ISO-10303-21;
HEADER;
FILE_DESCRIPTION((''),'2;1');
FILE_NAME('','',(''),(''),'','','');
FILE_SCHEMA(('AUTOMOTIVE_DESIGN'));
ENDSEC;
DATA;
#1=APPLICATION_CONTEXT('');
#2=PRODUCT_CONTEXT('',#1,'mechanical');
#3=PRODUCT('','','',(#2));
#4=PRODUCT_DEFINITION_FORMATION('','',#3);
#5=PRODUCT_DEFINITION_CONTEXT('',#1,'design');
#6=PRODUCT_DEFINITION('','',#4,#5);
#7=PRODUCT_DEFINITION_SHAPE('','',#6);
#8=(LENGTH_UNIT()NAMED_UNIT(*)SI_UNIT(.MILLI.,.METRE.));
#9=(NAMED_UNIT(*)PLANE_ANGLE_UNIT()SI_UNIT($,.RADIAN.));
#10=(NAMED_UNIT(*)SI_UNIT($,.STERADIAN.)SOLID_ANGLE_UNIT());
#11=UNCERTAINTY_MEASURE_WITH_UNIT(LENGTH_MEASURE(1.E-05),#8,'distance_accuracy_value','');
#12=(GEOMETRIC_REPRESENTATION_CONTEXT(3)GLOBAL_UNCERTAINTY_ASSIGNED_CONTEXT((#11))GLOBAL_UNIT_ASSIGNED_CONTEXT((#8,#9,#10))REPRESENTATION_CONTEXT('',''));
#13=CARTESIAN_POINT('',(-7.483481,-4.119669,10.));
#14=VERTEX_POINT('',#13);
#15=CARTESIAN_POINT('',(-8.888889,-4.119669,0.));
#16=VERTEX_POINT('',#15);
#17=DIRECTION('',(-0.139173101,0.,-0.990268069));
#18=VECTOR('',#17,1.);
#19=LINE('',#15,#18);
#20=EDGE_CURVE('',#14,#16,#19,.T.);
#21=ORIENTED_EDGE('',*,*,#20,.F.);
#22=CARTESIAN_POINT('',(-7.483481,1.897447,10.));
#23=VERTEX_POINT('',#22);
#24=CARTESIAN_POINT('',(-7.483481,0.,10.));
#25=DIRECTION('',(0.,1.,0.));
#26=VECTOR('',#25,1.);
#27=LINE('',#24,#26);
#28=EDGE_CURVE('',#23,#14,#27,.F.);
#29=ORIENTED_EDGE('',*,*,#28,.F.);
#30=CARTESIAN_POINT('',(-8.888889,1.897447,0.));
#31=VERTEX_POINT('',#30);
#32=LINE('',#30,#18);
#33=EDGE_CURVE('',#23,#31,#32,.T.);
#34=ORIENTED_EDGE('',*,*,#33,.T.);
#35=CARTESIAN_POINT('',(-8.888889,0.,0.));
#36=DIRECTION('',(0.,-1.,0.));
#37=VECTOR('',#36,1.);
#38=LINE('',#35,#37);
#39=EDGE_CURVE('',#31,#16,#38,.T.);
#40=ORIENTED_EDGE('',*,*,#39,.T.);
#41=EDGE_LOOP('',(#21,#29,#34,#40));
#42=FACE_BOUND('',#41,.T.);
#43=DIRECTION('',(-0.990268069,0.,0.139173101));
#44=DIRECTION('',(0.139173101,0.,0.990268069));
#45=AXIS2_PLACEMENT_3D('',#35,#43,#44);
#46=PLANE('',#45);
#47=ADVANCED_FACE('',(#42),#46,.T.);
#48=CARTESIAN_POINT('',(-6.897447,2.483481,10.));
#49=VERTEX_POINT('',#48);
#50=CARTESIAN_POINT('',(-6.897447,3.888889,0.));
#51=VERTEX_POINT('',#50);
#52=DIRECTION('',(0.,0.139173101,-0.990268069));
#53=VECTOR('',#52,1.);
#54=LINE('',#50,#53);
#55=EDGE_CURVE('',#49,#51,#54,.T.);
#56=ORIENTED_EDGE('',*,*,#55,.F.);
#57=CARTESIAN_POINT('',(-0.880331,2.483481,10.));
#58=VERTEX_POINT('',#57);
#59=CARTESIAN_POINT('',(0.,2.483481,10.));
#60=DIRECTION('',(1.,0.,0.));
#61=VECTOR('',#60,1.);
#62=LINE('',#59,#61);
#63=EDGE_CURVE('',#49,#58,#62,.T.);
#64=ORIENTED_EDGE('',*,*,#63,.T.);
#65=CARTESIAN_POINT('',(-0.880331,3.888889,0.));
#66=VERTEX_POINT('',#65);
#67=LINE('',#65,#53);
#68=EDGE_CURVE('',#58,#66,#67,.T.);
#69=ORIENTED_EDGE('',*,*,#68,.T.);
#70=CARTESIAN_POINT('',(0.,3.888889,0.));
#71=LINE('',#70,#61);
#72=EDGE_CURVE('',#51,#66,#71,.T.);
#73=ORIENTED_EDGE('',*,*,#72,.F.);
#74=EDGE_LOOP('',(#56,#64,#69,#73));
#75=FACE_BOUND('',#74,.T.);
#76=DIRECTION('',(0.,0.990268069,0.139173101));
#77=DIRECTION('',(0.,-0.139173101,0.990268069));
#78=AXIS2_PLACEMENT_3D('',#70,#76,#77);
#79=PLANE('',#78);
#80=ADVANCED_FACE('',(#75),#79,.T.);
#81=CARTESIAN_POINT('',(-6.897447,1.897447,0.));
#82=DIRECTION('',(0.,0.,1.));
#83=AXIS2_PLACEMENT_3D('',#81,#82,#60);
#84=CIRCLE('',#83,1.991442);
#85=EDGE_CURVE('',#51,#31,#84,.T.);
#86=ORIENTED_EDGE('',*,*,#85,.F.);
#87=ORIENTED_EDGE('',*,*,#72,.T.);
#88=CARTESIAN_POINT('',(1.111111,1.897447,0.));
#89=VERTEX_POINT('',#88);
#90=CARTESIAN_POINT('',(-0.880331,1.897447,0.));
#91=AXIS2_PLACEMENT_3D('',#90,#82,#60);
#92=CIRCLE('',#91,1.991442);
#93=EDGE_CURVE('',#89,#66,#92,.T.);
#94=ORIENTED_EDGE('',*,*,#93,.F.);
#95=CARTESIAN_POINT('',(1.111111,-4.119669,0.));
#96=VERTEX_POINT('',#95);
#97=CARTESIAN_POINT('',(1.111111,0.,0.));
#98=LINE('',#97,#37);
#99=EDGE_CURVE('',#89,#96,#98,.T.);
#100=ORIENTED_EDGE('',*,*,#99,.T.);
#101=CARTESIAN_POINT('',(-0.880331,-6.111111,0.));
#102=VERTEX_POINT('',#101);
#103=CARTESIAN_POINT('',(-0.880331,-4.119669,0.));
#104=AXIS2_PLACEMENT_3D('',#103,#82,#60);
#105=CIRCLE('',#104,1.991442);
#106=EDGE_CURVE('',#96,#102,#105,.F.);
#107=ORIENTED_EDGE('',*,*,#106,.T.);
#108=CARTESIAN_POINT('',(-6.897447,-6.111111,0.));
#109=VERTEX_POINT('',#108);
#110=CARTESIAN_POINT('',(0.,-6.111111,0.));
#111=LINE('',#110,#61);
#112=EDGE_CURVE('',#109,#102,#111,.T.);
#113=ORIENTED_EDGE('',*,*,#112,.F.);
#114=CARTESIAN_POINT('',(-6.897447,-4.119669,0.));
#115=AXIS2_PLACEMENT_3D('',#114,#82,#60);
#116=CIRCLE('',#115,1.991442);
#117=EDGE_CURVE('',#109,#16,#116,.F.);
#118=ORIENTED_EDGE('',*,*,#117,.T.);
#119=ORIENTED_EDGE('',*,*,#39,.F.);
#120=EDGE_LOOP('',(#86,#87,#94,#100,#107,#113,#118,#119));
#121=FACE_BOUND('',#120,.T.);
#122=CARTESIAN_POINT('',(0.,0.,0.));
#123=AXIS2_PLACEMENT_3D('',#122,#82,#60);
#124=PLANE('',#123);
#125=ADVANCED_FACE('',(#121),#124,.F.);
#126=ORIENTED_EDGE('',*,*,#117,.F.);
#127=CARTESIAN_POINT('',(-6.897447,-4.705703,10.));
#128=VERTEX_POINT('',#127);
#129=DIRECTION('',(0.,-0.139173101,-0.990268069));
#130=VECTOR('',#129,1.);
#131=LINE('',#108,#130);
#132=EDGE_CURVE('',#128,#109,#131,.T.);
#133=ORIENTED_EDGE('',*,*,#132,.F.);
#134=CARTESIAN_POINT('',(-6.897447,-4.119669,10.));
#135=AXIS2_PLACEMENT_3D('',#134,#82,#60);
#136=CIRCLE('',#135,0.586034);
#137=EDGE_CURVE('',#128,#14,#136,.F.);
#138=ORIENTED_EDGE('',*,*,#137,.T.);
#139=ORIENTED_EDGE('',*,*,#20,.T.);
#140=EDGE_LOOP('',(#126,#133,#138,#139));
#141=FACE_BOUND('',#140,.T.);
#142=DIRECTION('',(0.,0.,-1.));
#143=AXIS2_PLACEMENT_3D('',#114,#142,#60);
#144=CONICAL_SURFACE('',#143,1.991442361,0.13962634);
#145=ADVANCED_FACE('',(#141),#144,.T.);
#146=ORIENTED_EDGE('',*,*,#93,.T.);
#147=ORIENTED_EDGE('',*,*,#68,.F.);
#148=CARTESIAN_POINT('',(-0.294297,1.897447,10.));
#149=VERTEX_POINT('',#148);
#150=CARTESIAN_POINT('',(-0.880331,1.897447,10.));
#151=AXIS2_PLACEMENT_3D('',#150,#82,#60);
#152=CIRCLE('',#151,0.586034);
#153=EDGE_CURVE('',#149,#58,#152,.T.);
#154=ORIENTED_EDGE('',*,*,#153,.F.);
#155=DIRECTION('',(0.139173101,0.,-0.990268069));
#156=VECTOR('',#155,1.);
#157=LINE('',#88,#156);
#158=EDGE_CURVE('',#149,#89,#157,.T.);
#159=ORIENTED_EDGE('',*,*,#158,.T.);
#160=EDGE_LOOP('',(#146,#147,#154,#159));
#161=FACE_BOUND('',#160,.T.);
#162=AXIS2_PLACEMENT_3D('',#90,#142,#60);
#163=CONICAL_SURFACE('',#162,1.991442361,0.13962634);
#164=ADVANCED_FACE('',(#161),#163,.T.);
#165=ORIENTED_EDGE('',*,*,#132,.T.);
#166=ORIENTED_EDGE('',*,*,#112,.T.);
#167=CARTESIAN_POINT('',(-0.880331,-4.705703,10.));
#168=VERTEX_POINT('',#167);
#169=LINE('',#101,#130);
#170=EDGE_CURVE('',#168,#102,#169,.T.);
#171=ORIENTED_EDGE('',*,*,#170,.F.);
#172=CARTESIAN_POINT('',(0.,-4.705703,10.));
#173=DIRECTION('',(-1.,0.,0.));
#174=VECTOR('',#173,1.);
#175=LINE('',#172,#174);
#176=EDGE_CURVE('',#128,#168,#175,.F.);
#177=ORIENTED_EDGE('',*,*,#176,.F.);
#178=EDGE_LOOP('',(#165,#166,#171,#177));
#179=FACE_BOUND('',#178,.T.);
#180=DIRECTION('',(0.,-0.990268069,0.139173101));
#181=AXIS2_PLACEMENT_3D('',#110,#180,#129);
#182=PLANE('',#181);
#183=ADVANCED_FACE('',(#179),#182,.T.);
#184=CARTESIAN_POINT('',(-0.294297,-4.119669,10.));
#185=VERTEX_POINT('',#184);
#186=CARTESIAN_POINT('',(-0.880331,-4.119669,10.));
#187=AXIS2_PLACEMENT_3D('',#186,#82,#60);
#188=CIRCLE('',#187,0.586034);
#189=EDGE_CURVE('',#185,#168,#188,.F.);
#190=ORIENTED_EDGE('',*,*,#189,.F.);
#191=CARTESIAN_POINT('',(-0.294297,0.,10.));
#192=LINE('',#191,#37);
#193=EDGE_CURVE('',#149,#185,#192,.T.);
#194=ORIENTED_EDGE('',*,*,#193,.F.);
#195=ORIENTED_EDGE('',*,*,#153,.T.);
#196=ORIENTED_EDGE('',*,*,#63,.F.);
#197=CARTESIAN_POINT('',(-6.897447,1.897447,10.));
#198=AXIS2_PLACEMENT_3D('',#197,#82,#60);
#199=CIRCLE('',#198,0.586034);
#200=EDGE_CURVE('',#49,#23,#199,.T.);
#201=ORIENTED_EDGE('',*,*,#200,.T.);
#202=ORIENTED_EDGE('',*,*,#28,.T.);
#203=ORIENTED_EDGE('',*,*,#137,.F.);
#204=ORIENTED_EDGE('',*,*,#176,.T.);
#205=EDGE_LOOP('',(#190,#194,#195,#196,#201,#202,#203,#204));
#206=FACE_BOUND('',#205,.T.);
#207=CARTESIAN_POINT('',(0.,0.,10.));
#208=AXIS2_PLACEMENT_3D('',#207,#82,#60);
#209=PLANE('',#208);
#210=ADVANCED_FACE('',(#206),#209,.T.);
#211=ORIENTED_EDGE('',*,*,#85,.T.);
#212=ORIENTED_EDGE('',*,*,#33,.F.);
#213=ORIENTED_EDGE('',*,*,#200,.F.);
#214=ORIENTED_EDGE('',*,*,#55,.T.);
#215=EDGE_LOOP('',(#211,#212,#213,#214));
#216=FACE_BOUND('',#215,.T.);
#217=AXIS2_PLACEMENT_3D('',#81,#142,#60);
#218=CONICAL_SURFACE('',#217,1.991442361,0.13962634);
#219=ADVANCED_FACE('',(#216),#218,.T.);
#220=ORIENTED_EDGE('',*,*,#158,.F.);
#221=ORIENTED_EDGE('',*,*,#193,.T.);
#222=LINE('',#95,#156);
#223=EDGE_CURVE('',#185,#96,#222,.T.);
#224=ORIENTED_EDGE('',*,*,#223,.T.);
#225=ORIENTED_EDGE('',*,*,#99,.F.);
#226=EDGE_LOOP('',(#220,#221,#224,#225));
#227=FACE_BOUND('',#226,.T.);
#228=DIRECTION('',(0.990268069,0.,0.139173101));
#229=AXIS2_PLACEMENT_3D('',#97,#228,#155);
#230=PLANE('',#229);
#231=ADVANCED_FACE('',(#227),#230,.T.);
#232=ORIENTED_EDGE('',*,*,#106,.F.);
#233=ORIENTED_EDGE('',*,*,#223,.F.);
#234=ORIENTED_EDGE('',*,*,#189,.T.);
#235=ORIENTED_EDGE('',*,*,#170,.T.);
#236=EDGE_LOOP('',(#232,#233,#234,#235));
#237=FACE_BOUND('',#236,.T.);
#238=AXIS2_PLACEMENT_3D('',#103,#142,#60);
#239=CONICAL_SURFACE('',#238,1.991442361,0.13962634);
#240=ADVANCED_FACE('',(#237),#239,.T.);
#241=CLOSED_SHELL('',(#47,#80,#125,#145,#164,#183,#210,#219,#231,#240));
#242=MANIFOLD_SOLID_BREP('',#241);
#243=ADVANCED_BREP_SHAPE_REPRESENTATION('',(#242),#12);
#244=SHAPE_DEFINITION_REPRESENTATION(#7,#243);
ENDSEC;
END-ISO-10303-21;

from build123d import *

# Parameters (mm, degrees)
BOSS_EXTRUDE1_DEPTH = 10
BOSS_EXTRUDE1_TAPER = 8


with BuildPart() as part:
    # Sketch1 → Boss-Extrude1 (new body)
    with BuildSketch(Plane.XY):
        with BuildLine():
            ThreePointArc((-6.897446528, 3.888888889), (-8.305608926, 3.305608926), (-8.888888889, 1.897446528))
            Line((-8.888888889, 1.897446528), (-8.888888889, -4.11966875))
            ThreePointArc((-8.888888889, -4.11966875), (-8.305608926, -5.527831148), (-6.897446528, -6.111111111))
            Line((-6.897446528, -6.111111111), (-0.88033125, -6.111111111))
            ThreePointArc((-0.88033125, -6.111111111), (0.527831148, -5.527831148), (1.111111111, -4.11966875))
            Line((1.111111111, -4.11966875), (1.111111111, 1.897446528))
            ThreePointArc((1.111111111, 1.897446528), (0.527831148, 3.305608926), (-0.88033125, 3.888888889))
            Line((-0.88033125, 3.888888889), (-6.897446528, 3.888888889))
        make_face()
    extrude(amount=BOSS_EXTRUDE1_DEPTH, taper=BOSS_EXTRUDE1_TAPER)


solid = part.part
